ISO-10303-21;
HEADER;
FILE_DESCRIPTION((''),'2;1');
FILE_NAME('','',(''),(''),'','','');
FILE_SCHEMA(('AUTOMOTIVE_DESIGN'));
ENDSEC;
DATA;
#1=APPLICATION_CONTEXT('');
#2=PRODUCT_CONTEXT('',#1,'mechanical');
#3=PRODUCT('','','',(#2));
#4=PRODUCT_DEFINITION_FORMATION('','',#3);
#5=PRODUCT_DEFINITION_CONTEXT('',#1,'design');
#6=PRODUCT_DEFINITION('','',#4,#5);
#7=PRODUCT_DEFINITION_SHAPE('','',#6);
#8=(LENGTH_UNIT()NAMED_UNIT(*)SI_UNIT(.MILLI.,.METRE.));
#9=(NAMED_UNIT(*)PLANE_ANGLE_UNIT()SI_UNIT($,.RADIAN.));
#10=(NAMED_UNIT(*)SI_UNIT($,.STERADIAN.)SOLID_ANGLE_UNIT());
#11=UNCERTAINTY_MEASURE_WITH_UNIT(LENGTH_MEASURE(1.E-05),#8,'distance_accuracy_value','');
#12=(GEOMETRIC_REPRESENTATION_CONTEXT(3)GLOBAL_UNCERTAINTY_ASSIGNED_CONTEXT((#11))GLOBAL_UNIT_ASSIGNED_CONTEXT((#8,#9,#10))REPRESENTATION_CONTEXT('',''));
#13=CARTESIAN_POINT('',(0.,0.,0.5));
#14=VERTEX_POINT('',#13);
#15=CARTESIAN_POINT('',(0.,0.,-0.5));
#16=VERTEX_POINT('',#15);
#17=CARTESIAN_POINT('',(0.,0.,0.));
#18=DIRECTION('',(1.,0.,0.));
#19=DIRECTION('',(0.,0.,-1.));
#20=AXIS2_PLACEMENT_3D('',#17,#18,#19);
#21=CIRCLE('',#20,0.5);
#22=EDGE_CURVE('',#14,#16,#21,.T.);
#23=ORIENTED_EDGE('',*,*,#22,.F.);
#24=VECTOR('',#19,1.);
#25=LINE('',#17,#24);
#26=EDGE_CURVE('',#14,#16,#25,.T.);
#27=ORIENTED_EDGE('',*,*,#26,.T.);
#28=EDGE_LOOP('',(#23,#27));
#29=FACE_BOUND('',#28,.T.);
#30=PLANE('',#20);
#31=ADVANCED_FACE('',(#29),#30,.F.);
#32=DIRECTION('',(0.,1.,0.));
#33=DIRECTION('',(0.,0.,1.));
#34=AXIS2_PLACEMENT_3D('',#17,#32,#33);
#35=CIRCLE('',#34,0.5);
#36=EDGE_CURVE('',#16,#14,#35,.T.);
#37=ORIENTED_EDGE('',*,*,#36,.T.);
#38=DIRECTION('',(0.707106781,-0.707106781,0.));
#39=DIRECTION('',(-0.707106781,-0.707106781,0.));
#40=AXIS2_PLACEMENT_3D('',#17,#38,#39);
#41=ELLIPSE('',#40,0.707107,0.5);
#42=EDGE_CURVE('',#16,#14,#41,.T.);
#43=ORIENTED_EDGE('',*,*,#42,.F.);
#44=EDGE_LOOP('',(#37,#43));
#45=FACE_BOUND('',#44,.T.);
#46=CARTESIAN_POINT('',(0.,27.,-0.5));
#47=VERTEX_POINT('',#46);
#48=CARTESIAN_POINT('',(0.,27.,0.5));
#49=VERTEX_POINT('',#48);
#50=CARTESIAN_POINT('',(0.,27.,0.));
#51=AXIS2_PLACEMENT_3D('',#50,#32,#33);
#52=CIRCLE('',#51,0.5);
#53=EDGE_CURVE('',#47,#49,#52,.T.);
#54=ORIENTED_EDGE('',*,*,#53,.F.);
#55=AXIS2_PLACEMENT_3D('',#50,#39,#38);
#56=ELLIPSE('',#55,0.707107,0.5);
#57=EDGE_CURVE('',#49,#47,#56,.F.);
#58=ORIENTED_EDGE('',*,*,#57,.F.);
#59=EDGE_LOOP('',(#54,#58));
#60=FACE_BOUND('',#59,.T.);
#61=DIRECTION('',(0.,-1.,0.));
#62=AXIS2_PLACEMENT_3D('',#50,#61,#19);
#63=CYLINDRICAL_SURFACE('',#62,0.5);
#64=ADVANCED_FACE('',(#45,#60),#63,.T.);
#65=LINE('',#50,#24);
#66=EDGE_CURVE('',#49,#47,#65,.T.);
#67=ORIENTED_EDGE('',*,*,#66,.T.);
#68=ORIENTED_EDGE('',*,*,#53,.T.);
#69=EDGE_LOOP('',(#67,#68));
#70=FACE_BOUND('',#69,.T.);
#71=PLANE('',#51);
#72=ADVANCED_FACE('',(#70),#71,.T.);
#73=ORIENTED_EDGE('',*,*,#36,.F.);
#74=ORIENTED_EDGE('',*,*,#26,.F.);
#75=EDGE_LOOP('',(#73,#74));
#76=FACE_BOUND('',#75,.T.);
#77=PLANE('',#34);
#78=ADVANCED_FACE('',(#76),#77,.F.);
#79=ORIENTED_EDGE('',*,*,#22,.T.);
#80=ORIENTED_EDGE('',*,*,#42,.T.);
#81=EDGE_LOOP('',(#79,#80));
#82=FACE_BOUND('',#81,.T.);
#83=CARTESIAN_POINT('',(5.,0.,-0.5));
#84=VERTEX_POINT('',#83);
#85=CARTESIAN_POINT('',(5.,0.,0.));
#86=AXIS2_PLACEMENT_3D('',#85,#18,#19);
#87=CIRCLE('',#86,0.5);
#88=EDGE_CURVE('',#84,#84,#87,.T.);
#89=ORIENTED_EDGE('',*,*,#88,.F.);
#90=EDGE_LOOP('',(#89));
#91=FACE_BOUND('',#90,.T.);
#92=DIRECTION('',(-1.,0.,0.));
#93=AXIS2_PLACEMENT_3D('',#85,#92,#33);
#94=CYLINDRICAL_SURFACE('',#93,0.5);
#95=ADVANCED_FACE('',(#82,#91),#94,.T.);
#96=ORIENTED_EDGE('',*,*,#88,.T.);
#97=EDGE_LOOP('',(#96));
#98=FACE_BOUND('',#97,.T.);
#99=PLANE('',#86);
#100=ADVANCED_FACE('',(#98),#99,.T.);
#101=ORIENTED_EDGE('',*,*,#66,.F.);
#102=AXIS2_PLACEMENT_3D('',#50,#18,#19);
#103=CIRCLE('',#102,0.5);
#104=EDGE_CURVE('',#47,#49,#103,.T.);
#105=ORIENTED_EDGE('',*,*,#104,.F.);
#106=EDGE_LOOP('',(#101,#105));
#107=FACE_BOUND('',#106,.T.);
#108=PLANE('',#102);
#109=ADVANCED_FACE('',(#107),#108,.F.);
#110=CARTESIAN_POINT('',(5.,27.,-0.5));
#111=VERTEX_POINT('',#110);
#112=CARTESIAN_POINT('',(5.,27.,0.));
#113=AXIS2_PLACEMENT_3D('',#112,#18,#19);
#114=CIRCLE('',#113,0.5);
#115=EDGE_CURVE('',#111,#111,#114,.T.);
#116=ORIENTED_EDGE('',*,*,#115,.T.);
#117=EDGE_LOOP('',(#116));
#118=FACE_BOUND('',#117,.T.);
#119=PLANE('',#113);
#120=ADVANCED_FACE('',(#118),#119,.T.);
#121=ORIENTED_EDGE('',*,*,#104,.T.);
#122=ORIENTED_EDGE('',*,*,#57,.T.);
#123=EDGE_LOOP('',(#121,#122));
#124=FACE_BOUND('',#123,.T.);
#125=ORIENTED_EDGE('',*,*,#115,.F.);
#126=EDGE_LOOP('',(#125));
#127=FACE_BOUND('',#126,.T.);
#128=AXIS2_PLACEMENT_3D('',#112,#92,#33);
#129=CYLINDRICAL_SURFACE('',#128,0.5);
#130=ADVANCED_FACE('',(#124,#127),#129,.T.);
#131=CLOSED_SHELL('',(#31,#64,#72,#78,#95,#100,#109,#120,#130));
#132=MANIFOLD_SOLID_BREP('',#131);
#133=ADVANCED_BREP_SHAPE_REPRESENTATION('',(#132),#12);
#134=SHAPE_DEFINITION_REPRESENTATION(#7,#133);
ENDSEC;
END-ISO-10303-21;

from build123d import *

# Parameters (mm, degrees)
SKETCH1_R           = 0.5
BOSS_EXTRUDE2_DEPTH = 27
SKETCH9_R           = 0.5
BOSS_EXTRUDE3_DEPTH = 5


with BuildPart() as part:
    # Sketch1 → Boss-Extrude2 (new body)
    with BuildSketch(Plane(origin=(0, 0, 0), x_dir=(1, 0, 0), z_dir=(0, 1, 0))):
        with Locations(Location((0, 0, 0), (0, 0, 270))):
            Circle(SKETCH1_R)
    extrude(amount=BOSS_EXTRUDE2_DEPTH)

    # Sketch9 → Boss-Extrude3 (add)
    with BuildSketch(Plane(origin=(0, 0, 0), x_dir=(0, 0, -1), z_dir=(1, 0, 0))):
        Circle(SKETCH9_R)
        with Locations((0, 27)):
            Circle(SKETCH9_R)
    extrude(amount=BOSS_EXTRUDE3_DEPTH)


solid = part.part
